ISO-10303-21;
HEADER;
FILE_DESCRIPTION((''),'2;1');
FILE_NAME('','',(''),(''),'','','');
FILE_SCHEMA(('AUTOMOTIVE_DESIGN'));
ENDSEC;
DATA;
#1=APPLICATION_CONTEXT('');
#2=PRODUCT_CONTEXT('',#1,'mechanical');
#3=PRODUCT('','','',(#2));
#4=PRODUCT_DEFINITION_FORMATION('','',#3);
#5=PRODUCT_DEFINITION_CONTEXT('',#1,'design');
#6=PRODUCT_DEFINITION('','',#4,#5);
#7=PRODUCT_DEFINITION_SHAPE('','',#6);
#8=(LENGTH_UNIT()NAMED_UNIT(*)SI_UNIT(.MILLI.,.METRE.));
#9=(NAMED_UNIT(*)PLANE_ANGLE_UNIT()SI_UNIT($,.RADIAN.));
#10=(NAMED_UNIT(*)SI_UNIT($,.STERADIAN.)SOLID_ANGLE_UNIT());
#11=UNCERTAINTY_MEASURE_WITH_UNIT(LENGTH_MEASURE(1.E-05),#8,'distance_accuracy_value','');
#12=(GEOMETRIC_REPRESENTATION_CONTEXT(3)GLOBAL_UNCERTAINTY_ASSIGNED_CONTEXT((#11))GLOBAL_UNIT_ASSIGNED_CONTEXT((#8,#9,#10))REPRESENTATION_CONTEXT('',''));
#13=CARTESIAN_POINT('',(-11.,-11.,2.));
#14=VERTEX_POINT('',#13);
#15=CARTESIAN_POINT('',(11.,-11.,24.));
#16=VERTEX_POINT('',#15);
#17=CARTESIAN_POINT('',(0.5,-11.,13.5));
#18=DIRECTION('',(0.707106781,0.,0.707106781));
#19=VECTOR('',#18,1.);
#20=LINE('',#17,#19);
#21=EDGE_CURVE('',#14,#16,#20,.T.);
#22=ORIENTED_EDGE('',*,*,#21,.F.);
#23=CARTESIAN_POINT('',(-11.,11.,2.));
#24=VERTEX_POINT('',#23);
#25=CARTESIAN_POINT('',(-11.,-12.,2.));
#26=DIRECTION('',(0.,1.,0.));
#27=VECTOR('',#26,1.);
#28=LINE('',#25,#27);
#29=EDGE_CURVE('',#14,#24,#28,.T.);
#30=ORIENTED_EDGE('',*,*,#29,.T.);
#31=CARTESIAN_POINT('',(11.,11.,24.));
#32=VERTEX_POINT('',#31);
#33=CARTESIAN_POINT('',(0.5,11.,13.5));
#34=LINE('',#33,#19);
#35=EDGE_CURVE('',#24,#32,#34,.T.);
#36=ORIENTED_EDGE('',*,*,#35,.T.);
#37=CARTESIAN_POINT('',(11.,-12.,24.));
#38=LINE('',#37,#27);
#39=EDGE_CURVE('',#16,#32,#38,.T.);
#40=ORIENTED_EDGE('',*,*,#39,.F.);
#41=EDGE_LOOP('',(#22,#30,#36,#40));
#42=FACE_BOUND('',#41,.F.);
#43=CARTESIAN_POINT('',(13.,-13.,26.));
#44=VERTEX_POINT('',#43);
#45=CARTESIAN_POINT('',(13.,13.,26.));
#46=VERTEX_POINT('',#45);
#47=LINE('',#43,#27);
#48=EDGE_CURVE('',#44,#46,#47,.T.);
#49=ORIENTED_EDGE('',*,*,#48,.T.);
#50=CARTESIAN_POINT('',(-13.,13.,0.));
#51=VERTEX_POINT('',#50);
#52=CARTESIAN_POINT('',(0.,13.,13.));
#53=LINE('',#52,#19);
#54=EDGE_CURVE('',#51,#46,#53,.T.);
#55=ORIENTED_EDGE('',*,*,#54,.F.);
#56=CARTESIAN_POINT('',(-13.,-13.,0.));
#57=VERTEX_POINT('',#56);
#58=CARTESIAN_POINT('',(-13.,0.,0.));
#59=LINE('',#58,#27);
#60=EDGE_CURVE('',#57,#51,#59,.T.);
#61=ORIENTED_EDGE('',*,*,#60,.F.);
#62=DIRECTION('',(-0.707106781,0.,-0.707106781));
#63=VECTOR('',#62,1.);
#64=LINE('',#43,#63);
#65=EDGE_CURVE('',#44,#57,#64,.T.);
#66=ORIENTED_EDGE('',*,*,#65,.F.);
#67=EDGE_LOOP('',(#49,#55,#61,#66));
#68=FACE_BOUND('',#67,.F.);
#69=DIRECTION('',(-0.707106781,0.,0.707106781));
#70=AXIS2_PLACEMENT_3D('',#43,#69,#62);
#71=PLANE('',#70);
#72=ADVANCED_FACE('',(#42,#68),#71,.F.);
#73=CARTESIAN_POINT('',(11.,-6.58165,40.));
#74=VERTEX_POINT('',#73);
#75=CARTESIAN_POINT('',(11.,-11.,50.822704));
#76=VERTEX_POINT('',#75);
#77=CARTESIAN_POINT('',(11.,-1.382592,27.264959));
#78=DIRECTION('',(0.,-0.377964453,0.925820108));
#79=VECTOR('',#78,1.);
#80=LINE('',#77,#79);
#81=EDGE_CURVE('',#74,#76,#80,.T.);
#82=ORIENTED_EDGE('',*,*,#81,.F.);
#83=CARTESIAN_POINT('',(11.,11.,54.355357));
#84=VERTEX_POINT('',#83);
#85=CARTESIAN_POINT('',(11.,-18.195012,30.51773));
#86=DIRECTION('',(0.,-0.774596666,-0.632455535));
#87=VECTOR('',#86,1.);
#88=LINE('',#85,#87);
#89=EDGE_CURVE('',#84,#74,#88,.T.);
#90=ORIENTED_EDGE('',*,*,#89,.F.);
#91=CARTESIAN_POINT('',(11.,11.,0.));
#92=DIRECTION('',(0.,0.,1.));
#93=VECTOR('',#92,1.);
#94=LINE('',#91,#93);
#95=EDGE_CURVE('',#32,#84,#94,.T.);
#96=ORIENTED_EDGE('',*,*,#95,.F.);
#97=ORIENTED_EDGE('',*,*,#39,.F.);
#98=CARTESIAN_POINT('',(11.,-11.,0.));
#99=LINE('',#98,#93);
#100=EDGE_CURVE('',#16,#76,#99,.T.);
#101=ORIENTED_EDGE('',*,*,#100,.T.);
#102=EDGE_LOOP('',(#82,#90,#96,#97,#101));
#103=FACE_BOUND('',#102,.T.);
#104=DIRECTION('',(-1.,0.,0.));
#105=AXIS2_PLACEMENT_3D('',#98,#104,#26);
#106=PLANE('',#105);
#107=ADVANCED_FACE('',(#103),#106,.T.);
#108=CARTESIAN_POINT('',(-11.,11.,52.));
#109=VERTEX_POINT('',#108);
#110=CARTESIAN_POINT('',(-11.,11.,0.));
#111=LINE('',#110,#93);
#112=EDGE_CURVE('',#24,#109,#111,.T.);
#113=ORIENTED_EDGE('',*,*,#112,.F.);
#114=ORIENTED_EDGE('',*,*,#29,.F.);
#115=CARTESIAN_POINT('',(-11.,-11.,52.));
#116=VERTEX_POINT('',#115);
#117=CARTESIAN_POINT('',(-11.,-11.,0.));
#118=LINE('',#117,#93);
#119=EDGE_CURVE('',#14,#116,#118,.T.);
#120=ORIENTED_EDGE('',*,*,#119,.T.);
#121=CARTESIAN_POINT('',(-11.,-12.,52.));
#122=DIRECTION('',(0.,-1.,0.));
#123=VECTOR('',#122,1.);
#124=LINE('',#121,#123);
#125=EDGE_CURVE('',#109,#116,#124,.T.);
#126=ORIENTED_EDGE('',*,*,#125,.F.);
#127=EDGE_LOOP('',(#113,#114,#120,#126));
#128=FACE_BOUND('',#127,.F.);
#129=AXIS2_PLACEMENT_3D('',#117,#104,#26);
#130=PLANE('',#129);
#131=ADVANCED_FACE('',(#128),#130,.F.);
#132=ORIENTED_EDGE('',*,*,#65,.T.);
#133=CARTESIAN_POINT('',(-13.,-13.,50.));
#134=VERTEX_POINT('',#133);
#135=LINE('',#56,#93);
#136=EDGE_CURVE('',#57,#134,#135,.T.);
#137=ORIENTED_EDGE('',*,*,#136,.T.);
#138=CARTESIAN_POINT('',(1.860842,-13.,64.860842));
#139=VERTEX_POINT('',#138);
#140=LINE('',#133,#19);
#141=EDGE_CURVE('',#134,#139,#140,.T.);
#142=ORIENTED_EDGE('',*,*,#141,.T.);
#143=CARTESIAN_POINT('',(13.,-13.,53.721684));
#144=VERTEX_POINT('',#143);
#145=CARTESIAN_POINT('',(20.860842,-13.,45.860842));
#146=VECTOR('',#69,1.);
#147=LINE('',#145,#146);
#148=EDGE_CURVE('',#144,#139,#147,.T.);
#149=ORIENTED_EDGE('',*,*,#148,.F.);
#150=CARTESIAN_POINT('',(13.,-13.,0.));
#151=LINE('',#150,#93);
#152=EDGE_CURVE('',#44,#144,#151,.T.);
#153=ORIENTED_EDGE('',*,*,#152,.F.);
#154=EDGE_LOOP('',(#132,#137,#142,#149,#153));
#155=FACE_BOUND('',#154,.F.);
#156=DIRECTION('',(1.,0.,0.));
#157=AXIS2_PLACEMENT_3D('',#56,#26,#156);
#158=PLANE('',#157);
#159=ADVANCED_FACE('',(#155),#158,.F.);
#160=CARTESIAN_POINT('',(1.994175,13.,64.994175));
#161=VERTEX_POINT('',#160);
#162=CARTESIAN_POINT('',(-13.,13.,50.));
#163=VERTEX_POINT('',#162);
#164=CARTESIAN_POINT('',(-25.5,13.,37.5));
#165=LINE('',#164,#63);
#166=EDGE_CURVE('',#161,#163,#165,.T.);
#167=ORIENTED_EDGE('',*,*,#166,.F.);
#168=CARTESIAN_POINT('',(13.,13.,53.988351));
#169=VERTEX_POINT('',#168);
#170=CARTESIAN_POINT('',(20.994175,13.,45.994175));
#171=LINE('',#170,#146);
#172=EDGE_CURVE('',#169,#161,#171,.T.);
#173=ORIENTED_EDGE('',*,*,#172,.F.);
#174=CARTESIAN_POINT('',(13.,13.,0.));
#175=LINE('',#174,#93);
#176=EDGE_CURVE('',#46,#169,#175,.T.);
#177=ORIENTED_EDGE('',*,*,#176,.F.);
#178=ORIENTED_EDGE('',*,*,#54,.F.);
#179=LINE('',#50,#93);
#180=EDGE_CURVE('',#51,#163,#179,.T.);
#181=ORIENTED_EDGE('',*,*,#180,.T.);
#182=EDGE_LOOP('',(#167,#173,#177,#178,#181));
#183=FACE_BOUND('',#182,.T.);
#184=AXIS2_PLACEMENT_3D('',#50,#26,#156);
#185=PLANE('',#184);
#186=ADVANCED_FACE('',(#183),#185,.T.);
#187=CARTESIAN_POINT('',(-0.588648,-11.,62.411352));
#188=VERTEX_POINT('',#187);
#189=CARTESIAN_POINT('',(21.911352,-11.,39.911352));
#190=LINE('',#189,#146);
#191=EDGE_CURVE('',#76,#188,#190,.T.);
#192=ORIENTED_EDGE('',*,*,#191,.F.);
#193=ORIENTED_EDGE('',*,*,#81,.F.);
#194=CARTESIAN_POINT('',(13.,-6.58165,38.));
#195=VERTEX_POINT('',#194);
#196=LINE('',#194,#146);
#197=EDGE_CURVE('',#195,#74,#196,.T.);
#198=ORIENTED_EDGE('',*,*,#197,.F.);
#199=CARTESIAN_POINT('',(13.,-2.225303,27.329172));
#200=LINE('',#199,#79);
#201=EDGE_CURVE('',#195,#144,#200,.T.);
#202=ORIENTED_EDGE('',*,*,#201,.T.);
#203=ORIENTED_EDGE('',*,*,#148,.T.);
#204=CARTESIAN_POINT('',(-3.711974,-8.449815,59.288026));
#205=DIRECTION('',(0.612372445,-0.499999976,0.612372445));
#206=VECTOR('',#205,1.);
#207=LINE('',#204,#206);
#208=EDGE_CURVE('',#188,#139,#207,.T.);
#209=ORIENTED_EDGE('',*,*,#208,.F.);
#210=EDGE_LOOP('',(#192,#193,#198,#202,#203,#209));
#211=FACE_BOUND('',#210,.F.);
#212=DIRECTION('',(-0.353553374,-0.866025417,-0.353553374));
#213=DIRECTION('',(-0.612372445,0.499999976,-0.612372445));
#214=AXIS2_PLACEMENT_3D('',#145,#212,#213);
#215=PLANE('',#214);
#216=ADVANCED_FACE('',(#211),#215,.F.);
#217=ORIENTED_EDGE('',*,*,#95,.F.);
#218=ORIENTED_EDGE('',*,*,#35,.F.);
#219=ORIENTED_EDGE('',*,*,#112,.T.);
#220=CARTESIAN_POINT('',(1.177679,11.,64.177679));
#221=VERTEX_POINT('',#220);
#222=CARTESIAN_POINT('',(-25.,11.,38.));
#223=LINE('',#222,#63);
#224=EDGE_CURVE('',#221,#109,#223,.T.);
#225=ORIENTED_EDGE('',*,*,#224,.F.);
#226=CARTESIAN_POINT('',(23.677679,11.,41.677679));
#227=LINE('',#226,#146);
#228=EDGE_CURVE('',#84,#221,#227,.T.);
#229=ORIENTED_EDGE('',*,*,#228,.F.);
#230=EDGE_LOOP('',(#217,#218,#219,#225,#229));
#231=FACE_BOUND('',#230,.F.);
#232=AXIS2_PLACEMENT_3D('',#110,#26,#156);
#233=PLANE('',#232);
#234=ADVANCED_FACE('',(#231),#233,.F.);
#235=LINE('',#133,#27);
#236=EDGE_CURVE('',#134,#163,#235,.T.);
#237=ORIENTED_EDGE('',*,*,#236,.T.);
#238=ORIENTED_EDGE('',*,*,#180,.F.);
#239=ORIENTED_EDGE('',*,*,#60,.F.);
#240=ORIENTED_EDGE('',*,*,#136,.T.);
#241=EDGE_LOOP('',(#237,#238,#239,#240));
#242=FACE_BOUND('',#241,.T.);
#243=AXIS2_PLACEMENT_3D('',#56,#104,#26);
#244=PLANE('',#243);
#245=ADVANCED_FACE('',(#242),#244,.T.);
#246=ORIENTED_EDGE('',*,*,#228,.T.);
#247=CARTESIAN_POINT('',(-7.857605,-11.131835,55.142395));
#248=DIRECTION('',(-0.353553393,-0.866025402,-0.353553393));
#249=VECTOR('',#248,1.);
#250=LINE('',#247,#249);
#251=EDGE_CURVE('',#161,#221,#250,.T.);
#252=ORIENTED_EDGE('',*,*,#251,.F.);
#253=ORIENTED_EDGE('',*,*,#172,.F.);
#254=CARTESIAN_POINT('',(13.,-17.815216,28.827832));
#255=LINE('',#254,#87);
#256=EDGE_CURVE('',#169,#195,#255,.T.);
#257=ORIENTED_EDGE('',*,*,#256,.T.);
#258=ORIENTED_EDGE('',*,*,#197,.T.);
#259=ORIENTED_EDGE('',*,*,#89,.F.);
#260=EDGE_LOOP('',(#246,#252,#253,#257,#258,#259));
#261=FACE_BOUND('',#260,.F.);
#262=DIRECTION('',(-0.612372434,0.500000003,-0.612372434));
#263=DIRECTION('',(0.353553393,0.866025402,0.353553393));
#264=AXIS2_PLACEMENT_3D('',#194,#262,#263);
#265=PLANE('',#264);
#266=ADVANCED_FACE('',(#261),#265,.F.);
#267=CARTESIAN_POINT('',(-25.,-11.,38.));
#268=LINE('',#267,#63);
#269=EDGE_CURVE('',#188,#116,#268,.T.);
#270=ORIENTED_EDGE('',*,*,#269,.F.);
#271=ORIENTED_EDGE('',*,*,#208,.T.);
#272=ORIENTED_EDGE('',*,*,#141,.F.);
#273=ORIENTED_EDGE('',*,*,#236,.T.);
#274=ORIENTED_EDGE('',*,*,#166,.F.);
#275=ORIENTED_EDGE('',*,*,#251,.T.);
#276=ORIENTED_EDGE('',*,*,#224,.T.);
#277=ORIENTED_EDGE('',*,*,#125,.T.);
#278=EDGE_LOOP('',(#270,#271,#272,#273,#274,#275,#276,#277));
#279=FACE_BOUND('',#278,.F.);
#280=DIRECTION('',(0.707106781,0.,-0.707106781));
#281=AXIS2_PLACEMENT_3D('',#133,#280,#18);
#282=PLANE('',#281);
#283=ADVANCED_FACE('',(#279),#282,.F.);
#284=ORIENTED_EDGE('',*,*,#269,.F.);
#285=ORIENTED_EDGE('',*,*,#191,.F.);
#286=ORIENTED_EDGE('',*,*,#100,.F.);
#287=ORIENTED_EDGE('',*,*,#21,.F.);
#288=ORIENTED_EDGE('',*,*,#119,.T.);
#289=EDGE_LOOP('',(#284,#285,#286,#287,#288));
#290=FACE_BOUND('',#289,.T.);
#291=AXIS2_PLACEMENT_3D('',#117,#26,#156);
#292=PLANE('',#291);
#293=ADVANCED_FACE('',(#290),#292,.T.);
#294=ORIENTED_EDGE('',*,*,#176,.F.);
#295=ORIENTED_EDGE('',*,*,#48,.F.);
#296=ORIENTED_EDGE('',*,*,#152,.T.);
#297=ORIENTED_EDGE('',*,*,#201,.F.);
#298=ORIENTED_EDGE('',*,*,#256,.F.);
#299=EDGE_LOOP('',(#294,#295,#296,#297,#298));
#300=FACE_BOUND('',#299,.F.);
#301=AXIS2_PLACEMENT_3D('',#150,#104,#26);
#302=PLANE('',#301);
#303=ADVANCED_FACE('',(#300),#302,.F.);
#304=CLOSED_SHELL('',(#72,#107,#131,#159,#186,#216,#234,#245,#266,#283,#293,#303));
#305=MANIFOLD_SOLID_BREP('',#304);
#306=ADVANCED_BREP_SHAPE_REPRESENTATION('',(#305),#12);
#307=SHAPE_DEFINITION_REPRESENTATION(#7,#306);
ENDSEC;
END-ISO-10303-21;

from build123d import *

# Parameters (mm, degrees)
F0_W      = 26
F0_H      = 26
F0_W_2    = 22
F0_H_2    = 22
F1_DEPTH  = 75
F5_DEPTH  = 26.001
F9_DEPTH  = 44.548727
F11_DEPTH = 26.001


with BuildPart() as f1:
    # F0 (on Top) → F1 (new body)
    with BuildSketch(Plane.XY):
        Rectangle(F0_W, F0_H)
        Rectangle(F0_W_2, F0_H_2, mode=Mode.SUBTRACT)
    extrude(amount=F1_DEPTH)

    # F2 (on face) → F5 (cut, through all)
    with BuildSketch(Plane.XZ.offset(13)):
        Polygon((13, 26), (-13, 0), (13, 0), align=None)
    extrude(amount=-F5_DEPTH, mode=Mode.SUBTRACT)

    # F8 (on face) → F9 (cut, through all)
    with BuildSketch(Plane(origin=(-12.5, 0, 12.5), x_dir=(0, 1, 0), z_dir=(0.707107, 0, -0.707107))):
        Polygon((-13, 47.179355), (-6.58165, 36.062446), (13, 47.367917), (13, 69.708109), (-13, 69.708109), align=None)
    extrude(amount=-F9_DEPTH, mode=Mode.SUBTRACT)

    # F10 (on face) → F11 (cut, through all)
    with BuildSketch(Plane.XZ.offset(13)):
        Polygon((-13, 87.199546), (-13, 50), (20.817262, 83.817262), (20.817262, 87.199546), align=None)
    extrude(amount=-F11_DEPTH, mode=Mode.SUBTRACT)


solid = f1.part
